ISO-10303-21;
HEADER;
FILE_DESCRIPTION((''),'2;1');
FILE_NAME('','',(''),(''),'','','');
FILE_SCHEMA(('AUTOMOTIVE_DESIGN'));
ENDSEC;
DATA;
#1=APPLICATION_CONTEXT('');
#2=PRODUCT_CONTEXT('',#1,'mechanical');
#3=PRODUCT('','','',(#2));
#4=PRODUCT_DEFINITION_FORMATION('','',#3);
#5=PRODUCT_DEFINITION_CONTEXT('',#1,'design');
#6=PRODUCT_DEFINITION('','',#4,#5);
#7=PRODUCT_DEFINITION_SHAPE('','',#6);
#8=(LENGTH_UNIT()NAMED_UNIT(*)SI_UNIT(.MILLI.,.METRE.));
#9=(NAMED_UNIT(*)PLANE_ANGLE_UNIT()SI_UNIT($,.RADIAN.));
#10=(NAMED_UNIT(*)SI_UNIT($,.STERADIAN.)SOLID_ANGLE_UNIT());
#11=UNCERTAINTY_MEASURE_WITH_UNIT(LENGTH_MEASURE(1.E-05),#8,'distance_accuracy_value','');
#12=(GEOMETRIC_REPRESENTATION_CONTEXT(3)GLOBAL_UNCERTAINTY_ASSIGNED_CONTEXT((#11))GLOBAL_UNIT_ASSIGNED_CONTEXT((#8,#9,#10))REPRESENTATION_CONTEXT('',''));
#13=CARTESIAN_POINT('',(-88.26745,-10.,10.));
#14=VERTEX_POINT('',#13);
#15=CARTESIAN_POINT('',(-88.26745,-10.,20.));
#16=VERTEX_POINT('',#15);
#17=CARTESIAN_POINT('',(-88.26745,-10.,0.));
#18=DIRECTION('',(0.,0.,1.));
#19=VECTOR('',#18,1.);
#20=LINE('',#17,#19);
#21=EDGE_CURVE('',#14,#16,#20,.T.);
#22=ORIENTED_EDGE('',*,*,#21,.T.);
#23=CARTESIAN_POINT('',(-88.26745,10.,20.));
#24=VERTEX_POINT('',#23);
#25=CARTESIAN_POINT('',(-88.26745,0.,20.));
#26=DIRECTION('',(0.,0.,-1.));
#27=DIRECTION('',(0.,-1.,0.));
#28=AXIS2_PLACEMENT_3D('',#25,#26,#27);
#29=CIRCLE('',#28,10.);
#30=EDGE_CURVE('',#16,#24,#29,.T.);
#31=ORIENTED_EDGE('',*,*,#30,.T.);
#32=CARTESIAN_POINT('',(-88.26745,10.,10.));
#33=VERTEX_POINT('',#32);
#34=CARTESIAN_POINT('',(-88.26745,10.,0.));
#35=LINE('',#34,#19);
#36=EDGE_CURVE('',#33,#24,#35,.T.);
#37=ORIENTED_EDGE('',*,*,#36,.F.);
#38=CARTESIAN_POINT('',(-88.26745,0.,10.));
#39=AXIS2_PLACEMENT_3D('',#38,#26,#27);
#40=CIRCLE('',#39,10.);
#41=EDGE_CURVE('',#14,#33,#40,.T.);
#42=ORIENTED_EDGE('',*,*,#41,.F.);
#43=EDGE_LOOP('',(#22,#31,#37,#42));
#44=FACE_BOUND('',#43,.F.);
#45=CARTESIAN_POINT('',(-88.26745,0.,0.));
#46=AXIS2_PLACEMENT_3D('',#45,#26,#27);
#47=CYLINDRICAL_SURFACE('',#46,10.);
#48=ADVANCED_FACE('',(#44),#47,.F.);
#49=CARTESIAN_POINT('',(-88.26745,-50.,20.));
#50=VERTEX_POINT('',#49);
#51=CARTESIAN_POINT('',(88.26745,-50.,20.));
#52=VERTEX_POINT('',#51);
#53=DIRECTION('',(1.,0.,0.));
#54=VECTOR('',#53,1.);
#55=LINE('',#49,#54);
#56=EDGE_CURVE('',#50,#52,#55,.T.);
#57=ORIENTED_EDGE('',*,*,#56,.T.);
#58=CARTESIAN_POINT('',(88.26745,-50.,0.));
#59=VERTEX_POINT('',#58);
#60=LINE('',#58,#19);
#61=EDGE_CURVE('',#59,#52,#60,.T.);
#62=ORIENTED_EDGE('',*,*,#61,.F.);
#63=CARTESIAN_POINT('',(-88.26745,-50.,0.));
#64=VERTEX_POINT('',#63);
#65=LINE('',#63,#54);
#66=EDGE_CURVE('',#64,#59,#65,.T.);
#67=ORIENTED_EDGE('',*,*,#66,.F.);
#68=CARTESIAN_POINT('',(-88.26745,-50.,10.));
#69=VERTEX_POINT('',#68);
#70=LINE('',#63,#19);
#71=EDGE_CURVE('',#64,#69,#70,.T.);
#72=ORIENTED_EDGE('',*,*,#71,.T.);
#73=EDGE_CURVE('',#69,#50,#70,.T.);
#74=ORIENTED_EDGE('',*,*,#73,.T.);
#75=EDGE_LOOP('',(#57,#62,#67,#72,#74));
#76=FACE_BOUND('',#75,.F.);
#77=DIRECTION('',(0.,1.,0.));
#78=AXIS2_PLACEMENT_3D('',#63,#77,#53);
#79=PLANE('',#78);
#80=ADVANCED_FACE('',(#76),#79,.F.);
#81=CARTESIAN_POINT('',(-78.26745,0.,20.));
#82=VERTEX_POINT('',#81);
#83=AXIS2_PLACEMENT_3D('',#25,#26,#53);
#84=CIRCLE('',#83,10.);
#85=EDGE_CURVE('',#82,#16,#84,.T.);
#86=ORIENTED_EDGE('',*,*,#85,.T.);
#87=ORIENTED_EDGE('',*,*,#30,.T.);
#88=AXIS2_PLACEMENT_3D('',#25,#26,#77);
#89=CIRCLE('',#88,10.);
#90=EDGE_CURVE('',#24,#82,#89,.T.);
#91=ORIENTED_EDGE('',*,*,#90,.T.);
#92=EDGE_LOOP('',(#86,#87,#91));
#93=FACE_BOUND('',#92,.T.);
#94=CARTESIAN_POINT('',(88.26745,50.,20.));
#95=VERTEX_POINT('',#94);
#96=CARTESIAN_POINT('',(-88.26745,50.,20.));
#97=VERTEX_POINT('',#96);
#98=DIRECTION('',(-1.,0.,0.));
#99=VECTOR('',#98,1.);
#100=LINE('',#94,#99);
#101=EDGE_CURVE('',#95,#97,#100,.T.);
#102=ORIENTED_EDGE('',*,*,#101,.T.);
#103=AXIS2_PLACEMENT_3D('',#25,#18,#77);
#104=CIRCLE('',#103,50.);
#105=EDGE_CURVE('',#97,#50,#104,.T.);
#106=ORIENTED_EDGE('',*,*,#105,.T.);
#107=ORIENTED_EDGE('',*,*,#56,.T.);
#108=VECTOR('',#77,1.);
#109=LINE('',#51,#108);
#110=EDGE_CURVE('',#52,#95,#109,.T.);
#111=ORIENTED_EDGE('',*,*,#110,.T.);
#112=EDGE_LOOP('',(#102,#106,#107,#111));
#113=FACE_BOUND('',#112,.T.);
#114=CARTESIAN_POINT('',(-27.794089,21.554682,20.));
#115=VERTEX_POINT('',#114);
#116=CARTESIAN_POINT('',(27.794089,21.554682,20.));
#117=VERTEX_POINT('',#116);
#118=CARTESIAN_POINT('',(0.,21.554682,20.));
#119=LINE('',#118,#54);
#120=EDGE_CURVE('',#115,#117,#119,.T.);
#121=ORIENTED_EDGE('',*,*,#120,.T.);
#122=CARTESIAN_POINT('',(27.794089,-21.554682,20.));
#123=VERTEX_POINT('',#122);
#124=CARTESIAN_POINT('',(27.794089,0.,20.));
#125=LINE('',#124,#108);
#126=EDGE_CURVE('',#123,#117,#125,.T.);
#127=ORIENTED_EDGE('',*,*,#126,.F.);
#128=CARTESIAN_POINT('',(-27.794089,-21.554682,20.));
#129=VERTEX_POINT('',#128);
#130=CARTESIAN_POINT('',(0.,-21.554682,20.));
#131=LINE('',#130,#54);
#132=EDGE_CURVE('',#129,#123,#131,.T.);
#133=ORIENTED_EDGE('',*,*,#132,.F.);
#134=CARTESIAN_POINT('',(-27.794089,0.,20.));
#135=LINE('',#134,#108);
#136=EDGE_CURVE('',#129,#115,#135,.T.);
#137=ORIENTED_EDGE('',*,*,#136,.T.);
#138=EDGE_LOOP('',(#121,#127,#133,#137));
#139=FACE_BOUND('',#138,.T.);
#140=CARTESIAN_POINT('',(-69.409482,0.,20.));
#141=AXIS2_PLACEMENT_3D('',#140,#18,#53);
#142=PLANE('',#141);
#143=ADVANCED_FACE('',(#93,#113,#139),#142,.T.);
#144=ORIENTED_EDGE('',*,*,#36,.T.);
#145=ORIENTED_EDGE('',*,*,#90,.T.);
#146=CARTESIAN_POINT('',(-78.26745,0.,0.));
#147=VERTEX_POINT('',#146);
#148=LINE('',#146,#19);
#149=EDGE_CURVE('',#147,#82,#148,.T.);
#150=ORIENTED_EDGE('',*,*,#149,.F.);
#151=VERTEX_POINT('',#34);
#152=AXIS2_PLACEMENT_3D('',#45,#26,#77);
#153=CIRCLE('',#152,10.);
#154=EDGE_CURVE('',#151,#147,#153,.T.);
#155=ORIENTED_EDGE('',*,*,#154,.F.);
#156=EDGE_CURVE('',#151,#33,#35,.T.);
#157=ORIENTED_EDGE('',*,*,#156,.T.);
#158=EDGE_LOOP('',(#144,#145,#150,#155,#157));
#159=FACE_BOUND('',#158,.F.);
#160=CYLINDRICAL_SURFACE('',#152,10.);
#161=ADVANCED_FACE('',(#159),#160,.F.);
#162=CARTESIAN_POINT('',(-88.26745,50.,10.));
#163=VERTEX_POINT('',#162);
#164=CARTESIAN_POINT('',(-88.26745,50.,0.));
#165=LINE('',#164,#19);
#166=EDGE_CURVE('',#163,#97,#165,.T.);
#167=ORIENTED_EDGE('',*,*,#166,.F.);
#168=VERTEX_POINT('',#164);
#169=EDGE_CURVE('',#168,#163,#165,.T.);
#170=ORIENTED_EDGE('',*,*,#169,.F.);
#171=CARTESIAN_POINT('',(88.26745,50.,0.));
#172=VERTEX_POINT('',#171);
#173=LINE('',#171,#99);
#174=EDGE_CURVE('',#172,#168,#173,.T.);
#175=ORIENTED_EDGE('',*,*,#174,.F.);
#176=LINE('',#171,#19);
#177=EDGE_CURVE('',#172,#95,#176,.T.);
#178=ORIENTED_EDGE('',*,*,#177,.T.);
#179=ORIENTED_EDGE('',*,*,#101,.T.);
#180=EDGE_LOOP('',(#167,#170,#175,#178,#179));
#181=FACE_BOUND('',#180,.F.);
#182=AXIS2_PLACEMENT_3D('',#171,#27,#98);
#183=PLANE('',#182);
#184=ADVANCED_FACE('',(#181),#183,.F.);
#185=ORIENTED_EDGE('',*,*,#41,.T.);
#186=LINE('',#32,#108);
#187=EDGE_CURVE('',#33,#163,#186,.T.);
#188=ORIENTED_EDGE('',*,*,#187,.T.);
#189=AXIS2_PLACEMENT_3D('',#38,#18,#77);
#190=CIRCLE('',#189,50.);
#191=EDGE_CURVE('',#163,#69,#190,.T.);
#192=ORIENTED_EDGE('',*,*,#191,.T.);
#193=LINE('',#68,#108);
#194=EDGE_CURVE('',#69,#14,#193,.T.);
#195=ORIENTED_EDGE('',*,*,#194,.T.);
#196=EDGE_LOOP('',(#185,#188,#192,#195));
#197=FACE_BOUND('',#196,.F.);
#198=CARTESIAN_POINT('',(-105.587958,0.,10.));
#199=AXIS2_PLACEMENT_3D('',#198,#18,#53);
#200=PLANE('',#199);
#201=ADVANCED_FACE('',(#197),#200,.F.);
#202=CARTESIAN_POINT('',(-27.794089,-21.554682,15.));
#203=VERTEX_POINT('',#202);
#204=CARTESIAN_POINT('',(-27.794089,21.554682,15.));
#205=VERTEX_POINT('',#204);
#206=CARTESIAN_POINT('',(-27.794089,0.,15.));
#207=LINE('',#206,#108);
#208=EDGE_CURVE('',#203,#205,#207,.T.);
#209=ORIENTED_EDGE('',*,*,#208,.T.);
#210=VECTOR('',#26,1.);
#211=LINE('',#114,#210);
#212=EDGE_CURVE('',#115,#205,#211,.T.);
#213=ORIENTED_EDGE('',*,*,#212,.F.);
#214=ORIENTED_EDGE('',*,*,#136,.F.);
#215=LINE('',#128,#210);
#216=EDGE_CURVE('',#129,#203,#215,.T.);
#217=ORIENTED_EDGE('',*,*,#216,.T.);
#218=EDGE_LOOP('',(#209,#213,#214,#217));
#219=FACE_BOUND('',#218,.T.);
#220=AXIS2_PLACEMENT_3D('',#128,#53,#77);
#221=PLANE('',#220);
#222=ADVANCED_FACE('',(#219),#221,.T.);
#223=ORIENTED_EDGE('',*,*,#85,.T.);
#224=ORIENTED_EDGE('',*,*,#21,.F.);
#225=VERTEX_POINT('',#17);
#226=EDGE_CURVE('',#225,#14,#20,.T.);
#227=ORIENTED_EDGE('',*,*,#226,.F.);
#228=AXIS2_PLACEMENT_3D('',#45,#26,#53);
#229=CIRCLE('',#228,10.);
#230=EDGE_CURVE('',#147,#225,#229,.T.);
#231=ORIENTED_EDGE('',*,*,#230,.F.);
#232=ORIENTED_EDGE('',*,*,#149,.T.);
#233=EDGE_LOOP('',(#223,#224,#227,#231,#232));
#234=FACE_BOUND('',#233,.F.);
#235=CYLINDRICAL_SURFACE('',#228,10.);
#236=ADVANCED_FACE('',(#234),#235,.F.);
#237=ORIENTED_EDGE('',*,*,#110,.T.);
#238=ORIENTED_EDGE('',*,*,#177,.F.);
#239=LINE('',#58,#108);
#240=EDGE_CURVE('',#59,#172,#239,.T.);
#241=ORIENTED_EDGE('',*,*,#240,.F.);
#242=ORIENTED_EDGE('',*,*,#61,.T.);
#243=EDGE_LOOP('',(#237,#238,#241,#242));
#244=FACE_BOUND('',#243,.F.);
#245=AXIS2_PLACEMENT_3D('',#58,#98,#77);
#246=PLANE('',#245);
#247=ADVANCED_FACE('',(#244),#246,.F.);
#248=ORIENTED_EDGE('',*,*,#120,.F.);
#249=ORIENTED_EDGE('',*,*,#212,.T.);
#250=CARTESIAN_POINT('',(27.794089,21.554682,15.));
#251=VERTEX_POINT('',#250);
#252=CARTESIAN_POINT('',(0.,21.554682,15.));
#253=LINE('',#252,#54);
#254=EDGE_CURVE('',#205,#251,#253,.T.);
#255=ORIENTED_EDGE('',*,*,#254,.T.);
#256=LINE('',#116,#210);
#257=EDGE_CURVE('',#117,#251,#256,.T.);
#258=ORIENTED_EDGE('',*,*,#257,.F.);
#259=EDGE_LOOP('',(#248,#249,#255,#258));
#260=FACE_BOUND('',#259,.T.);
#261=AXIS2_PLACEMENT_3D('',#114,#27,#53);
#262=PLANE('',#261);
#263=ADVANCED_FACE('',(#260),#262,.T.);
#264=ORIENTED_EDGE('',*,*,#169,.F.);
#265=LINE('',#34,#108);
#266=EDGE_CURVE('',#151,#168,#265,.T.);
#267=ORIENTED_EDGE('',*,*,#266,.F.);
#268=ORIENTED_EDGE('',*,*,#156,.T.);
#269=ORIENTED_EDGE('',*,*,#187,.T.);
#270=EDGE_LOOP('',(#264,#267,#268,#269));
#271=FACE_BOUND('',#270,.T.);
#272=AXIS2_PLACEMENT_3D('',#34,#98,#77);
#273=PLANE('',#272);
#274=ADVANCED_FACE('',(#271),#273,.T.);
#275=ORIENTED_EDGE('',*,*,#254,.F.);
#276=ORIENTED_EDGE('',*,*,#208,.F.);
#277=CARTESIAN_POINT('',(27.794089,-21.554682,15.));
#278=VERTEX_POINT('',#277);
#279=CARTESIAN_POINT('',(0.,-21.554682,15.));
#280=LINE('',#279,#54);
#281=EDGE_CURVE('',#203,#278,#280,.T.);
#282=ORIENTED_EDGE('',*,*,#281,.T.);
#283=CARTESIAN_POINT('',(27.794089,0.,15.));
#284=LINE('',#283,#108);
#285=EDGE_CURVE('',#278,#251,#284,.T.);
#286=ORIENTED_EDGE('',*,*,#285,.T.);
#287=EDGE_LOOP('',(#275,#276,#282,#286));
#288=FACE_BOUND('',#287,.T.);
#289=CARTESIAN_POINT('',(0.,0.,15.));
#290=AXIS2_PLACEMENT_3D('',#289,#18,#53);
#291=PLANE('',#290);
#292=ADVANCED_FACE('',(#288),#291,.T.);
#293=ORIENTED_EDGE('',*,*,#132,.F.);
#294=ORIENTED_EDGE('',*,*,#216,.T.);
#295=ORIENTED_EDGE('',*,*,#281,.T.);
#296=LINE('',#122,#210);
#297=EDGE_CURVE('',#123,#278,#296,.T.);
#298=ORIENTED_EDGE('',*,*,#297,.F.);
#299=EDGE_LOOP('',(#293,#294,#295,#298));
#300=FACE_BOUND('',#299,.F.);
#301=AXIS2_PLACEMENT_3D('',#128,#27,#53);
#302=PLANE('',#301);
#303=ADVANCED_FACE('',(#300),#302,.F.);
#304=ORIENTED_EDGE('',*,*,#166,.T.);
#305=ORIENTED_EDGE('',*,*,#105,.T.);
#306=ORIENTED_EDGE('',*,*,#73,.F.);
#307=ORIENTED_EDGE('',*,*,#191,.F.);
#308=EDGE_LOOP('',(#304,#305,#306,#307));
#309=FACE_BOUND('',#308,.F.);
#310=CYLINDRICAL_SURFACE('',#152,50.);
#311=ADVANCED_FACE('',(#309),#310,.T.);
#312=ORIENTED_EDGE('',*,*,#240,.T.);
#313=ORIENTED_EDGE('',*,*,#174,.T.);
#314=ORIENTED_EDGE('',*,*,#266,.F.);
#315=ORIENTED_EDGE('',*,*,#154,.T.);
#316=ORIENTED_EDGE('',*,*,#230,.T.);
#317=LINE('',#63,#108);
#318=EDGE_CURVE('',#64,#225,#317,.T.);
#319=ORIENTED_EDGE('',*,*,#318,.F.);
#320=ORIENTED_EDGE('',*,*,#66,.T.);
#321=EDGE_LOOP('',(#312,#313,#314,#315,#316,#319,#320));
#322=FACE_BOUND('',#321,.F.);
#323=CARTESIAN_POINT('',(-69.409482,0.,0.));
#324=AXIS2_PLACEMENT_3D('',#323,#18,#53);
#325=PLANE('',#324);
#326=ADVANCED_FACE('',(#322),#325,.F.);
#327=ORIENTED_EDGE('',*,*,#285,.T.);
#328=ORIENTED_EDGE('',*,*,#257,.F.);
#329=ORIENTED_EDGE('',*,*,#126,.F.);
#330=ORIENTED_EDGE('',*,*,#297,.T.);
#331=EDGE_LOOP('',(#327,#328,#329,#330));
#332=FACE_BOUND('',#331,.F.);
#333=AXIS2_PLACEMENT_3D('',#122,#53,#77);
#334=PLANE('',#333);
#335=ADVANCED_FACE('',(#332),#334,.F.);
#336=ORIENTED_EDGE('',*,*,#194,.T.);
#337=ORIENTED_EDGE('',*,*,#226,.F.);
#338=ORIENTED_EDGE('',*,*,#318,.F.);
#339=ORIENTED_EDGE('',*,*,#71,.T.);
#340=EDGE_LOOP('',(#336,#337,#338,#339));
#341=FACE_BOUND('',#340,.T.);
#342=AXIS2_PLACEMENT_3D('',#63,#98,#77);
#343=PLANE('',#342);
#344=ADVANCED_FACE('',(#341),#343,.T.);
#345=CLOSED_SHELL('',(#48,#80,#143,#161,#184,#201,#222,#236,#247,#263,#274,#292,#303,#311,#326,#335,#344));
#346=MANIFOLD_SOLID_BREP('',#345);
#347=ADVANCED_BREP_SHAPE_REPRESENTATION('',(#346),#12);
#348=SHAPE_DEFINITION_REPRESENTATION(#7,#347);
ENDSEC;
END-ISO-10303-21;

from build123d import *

# Parameters (mm, degrees)
F1_DEPTH = 20
F2_DEPTH = 10
F3_W     = 55.5881783366
F3_H     = 43.1093648076
F4_DEPTH = 5


with BuildPart() as f1:
    # F0 (on Top) → F1 (new body)
    with BuildSketch(Plane.XY):
        with BuildLine():
            ThreePointArc((-38.2674500346, 0), (-52.9121109753, 35.3553390593), (-88.2674500346, 50))
            Line((-88.2674500346, 50), (-88.2674500346, 10))
            ThreePointArc((-88.2674500346, 10), (-81.1963822228, 7.0710678119), (-78.2674500346, 0))
            ThreePointArc((-78.2674500346, 0), (-81.1963822228, -7.0710678119), (-88.2674500346, -10))
            Line((-88.2674500346, -10), (-88.2674500346, -50))
            ThreePointArc((-88.2674500346, -50), (-52.9121109753, -35.3553390593), (-38.2674500346, 0))
        make_face()
        with BuildLine():
            Line((88.2674500346, 50), (-88.2674500346, 50))
            ThreePointArc((-88.2674500346, 50), (-52.9121109753, 35.3553390593), (-38.2674500346, 0))
            ThreePointArc((-38.2674500346, 0), (-52.9121109753, -35.3553390593), (-88.2674500346, -50))
            Line((-88.2674500346, -50), (88.2674500346, -50))
            Line((88.2674500346, -50), (88.2674500346, 50))
        make_face()
        with BuildLine():
            Line((-88.2674500346, 10), (-88.2674500346, 50))
            ThreePointArc((-88.2674500346, 50), (-138.2674500346, 0), (-88.2674500346, -50))
            Line((-88.2674500346, -50), (-88.2674500346, -10))
            ThreePointArc((-88.2674500346, -10), (-98.2674500346, 0), (-88.2674500346, 10))
        make_face()
    extrude(amount=F1_DEPTH)

    # F0 (on Top) → F2 (cut)
    with BuildSketch(Plane.XY):
        with BuildLine():
            Line((-88.2674500346, 10), (-88.2674500346, 50))
            ThreePointArc((-88.2674500346, 50), (-138.2674500346, 0), (-88.2674500346, -50))
            Line((-88.2674500346, -50), (-88.2674500346, -10))
            ThreePointArc((-88.2674500346, -10), (-98.2674500346, 0), (-88.2674500346, 10))
        make_face()
    extrude(amount=F2_DEPTH, mode=Mode.SUBTRACT)

    # F3 (on face) → F4 (cut)
    with BuildSketch(Plane.XY.offset(20)):
        Rectangle(F3_W, F3_H)
    extrude(amount=-F4_DEPTH, mode=Mode.SUBTRACT)


solid = f1.part
